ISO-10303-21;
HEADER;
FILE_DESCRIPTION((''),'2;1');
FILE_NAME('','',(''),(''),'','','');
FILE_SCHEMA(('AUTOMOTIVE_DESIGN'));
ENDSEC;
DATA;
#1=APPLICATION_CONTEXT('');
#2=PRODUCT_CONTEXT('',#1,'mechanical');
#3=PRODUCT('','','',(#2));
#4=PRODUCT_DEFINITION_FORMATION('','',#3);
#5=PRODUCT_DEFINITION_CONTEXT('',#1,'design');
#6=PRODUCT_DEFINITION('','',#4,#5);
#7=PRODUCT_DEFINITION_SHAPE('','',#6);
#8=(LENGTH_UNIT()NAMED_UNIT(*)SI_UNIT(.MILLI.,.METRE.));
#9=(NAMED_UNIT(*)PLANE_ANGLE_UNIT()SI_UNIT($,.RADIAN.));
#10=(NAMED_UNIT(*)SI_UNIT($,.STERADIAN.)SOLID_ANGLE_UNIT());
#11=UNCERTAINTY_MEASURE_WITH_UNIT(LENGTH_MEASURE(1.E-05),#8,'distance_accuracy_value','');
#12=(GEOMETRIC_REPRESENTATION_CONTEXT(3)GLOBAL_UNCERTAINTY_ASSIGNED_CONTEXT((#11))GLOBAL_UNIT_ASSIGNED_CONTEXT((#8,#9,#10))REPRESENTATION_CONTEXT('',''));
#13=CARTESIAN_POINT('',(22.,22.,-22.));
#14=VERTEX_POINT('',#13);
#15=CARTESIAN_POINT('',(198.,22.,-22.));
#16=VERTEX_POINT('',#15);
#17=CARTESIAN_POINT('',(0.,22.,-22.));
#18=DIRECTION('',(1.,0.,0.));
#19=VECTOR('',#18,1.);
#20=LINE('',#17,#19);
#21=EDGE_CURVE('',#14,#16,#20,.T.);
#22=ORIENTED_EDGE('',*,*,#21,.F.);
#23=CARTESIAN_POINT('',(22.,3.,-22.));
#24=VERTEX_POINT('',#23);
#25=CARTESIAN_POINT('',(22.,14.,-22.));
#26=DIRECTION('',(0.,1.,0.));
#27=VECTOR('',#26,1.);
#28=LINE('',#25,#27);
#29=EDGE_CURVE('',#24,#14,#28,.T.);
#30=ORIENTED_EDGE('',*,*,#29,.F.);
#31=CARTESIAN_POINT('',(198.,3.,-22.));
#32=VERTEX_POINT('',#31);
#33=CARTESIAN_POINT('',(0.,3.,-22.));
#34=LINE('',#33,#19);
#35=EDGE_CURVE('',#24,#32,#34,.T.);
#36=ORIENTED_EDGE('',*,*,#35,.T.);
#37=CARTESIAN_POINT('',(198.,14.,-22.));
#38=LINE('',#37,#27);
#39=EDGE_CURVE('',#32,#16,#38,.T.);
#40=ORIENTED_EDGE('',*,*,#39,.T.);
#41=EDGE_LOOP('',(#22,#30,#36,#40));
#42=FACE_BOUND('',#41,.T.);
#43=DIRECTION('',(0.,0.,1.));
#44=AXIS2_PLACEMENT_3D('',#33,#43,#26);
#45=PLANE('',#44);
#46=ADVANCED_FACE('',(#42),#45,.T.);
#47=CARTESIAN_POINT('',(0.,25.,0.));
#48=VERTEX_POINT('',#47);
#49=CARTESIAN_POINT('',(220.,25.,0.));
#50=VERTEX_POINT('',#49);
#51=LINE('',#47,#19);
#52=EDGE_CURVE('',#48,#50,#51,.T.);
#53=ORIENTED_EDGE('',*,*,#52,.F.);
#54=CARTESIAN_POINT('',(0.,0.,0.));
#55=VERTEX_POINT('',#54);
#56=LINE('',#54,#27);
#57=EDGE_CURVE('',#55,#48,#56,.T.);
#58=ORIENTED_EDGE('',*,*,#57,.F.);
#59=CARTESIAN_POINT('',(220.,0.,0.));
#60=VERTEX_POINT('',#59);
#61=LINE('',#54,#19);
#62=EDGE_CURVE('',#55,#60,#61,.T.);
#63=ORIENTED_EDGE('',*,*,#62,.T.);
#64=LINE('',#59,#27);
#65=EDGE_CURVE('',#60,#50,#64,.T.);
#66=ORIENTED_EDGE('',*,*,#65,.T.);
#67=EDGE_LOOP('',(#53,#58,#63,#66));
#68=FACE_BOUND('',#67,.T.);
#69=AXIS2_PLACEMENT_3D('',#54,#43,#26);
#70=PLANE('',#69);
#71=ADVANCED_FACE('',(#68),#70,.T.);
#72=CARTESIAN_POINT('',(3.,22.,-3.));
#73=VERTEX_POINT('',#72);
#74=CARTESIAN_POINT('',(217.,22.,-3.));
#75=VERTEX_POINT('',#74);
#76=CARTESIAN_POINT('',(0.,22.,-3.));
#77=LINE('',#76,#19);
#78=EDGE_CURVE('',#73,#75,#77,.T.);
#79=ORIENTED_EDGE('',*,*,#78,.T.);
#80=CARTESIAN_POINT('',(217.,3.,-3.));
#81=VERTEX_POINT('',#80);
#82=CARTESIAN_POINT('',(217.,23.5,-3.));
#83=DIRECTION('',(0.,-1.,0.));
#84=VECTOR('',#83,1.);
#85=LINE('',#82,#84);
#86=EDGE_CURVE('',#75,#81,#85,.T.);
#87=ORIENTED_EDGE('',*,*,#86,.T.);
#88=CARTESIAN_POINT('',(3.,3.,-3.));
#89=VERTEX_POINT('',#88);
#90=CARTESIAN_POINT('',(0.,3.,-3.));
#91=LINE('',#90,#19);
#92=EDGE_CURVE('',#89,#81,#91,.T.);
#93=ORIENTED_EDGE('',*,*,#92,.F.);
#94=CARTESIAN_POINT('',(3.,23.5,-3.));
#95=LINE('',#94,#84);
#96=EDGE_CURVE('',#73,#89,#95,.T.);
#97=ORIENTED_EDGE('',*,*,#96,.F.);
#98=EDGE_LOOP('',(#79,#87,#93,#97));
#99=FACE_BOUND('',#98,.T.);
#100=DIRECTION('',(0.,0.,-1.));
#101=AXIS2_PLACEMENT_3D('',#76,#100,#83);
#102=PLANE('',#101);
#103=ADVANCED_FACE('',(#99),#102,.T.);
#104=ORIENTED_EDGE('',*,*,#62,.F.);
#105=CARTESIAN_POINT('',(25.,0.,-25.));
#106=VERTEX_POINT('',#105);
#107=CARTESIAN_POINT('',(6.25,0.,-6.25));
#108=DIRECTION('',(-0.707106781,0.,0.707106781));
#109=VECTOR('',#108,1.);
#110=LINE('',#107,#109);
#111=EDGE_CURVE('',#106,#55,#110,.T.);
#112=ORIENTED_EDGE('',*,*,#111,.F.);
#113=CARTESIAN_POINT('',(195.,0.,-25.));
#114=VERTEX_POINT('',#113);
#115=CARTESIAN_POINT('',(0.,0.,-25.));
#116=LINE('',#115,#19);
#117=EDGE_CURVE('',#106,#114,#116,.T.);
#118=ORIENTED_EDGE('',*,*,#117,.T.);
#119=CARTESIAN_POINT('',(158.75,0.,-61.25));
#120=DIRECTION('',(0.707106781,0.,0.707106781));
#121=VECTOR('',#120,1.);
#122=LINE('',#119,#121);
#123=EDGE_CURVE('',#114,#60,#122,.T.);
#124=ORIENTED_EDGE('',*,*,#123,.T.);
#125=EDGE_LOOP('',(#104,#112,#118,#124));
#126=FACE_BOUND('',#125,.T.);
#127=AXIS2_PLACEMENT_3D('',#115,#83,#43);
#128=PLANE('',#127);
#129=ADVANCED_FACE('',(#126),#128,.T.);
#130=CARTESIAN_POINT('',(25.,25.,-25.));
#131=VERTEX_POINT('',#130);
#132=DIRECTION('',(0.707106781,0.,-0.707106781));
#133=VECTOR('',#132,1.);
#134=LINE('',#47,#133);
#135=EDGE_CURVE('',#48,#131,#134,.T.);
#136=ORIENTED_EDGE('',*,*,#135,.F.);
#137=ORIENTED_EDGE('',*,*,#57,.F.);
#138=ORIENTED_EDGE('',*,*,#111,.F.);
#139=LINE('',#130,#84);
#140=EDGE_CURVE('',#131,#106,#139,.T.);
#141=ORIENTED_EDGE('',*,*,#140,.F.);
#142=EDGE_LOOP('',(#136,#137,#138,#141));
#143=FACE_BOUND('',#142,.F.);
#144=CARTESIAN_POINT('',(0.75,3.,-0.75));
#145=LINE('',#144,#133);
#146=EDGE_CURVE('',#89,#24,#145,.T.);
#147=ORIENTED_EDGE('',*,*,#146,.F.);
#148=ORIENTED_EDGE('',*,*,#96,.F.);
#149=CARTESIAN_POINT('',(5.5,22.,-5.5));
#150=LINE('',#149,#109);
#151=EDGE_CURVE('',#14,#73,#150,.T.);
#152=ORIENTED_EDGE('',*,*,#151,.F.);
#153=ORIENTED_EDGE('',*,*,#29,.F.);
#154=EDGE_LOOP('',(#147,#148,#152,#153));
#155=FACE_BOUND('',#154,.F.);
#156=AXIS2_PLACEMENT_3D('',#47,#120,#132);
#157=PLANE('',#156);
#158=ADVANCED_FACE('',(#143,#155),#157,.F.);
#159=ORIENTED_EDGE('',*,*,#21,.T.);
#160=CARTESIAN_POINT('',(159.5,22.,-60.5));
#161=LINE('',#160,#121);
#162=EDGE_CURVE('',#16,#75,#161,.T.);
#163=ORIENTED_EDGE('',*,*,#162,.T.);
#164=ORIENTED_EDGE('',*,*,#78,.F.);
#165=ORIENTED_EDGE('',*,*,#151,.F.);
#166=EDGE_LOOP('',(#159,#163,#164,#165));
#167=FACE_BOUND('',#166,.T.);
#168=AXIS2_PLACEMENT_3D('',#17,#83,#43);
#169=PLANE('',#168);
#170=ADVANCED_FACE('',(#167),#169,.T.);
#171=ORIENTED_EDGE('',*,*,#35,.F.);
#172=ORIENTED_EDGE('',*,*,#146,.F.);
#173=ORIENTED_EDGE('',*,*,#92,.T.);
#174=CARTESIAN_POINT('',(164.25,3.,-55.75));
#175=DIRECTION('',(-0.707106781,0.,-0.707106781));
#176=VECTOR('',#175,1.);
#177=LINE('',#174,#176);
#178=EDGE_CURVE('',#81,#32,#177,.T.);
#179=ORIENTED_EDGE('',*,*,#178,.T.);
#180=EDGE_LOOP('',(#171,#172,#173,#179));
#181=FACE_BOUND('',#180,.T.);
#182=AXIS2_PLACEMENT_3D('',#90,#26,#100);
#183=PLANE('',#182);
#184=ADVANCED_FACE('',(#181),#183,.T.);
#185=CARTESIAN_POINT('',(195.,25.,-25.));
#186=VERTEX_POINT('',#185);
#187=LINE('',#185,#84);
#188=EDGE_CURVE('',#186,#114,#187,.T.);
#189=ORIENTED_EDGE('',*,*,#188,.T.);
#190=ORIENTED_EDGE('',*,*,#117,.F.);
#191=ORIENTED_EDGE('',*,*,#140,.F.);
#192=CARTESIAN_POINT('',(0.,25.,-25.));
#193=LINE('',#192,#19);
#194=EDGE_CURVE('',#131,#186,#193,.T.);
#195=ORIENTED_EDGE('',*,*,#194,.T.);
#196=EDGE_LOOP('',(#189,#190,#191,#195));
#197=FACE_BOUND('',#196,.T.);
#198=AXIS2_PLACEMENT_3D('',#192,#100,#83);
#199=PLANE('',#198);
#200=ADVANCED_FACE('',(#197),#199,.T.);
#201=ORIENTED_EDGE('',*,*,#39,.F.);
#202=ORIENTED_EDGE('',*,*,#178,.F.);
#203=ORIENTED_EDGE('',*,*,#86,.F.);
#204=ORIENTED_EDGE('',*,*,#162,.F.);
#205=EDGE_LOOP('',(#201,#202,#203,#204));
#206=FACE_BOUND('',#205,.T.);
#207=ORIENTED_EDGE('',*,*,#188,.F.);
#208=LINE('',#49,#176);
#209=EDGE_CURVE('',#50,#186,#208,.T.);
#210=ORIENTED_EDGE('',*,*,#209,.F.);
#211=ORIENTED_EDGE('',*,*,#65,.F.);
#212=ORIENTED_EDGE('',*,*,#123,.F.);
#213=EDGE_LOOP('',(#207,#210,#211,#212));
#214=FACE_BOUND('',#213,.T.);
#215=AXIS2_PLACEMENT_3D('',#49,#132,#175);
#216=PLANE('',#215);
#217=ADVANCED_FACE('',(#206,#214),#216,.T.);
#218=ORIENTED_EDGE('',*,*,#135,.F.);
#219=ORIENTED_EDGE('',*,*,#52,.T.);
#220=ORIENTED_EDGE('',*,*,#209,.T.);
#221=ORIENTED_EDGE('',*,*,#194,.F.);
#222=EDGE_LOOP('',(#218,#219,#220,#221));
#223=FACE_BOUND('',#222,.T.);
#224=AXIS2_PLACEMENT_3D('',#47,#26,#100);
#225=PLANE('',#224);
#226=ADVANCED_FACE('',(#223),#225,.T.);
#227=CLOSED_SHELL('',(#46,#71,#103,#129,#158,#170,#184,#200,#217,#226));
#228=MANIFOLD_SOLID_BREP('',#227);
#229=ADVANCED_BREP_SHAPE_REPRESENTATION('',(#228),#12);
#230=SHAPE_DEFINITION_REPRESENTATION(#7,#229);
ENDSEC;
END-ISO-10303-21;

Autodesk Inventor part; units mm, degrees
ref_plane "YZ Plane" through (0, 0, 0) normal (1, 0, 0) x (0, 1, 0)
ref_plane "XZ Plane" through (0, 0, 0) normal (0, 1, 0) x (-1, 0, 0)
ref_plane "XY Plane" through (0, 0, 0) normal (0, 0, 1) x (1, 0, 0)
sketch "Sketch1" plane through (0, 0, 0) normal (1, 0, 0) x (0, 1, 0)
  line L0 (0, 0) -> (25, 0)
  line L1 (25, 0) -> (25, -25)
  line L2 (25, -25) -> (0, -25)
  line L3 (0, -25) -> (0, 0)
  line L4 (22, -22) -> (22, -3)
  line L5 (22, -3) -> (3, -3)
  line L6 (3, -3) -> (3, -22)
  line L7 (3, -22) -> (22, -22)
  dimension "d0" = 25
  dimension "d1" = 25
  dimension "d2" = 3
extrude "Extrusion1" add sketch "Sketch1" along normal blind 220
sketch "Sketch2" plane through (0, 25, 0) normal (0, 1, 0) x (1, 0, 0)
  line L0 (0, 25) -> (0, 0) projected
  line L1 (0, 0) -> (220, 0) projected
  line L2 (220, 25) -> (220, 0) projected
  line L3 (0, 25) -> (220, 25) projected
  line L4 (0, 0) -> (220, 0) projected
  line L5 (0, 0) -> (25, 25)
  line L6 (0, 25) -> (220, 25) projected
  line L7 (220, 0) -> (220, 25) projected
  line L8 (220, 0) -> (195, 25)
  dimension "d5" = 45
  dimension "d6" = 45
extrude "Extrusion2" cut sketch "Sketch2" against normal blind 110 contours L3 L5 L0 | L8 L3 L2
properties part number "P406" material "Aluminum 6061"
